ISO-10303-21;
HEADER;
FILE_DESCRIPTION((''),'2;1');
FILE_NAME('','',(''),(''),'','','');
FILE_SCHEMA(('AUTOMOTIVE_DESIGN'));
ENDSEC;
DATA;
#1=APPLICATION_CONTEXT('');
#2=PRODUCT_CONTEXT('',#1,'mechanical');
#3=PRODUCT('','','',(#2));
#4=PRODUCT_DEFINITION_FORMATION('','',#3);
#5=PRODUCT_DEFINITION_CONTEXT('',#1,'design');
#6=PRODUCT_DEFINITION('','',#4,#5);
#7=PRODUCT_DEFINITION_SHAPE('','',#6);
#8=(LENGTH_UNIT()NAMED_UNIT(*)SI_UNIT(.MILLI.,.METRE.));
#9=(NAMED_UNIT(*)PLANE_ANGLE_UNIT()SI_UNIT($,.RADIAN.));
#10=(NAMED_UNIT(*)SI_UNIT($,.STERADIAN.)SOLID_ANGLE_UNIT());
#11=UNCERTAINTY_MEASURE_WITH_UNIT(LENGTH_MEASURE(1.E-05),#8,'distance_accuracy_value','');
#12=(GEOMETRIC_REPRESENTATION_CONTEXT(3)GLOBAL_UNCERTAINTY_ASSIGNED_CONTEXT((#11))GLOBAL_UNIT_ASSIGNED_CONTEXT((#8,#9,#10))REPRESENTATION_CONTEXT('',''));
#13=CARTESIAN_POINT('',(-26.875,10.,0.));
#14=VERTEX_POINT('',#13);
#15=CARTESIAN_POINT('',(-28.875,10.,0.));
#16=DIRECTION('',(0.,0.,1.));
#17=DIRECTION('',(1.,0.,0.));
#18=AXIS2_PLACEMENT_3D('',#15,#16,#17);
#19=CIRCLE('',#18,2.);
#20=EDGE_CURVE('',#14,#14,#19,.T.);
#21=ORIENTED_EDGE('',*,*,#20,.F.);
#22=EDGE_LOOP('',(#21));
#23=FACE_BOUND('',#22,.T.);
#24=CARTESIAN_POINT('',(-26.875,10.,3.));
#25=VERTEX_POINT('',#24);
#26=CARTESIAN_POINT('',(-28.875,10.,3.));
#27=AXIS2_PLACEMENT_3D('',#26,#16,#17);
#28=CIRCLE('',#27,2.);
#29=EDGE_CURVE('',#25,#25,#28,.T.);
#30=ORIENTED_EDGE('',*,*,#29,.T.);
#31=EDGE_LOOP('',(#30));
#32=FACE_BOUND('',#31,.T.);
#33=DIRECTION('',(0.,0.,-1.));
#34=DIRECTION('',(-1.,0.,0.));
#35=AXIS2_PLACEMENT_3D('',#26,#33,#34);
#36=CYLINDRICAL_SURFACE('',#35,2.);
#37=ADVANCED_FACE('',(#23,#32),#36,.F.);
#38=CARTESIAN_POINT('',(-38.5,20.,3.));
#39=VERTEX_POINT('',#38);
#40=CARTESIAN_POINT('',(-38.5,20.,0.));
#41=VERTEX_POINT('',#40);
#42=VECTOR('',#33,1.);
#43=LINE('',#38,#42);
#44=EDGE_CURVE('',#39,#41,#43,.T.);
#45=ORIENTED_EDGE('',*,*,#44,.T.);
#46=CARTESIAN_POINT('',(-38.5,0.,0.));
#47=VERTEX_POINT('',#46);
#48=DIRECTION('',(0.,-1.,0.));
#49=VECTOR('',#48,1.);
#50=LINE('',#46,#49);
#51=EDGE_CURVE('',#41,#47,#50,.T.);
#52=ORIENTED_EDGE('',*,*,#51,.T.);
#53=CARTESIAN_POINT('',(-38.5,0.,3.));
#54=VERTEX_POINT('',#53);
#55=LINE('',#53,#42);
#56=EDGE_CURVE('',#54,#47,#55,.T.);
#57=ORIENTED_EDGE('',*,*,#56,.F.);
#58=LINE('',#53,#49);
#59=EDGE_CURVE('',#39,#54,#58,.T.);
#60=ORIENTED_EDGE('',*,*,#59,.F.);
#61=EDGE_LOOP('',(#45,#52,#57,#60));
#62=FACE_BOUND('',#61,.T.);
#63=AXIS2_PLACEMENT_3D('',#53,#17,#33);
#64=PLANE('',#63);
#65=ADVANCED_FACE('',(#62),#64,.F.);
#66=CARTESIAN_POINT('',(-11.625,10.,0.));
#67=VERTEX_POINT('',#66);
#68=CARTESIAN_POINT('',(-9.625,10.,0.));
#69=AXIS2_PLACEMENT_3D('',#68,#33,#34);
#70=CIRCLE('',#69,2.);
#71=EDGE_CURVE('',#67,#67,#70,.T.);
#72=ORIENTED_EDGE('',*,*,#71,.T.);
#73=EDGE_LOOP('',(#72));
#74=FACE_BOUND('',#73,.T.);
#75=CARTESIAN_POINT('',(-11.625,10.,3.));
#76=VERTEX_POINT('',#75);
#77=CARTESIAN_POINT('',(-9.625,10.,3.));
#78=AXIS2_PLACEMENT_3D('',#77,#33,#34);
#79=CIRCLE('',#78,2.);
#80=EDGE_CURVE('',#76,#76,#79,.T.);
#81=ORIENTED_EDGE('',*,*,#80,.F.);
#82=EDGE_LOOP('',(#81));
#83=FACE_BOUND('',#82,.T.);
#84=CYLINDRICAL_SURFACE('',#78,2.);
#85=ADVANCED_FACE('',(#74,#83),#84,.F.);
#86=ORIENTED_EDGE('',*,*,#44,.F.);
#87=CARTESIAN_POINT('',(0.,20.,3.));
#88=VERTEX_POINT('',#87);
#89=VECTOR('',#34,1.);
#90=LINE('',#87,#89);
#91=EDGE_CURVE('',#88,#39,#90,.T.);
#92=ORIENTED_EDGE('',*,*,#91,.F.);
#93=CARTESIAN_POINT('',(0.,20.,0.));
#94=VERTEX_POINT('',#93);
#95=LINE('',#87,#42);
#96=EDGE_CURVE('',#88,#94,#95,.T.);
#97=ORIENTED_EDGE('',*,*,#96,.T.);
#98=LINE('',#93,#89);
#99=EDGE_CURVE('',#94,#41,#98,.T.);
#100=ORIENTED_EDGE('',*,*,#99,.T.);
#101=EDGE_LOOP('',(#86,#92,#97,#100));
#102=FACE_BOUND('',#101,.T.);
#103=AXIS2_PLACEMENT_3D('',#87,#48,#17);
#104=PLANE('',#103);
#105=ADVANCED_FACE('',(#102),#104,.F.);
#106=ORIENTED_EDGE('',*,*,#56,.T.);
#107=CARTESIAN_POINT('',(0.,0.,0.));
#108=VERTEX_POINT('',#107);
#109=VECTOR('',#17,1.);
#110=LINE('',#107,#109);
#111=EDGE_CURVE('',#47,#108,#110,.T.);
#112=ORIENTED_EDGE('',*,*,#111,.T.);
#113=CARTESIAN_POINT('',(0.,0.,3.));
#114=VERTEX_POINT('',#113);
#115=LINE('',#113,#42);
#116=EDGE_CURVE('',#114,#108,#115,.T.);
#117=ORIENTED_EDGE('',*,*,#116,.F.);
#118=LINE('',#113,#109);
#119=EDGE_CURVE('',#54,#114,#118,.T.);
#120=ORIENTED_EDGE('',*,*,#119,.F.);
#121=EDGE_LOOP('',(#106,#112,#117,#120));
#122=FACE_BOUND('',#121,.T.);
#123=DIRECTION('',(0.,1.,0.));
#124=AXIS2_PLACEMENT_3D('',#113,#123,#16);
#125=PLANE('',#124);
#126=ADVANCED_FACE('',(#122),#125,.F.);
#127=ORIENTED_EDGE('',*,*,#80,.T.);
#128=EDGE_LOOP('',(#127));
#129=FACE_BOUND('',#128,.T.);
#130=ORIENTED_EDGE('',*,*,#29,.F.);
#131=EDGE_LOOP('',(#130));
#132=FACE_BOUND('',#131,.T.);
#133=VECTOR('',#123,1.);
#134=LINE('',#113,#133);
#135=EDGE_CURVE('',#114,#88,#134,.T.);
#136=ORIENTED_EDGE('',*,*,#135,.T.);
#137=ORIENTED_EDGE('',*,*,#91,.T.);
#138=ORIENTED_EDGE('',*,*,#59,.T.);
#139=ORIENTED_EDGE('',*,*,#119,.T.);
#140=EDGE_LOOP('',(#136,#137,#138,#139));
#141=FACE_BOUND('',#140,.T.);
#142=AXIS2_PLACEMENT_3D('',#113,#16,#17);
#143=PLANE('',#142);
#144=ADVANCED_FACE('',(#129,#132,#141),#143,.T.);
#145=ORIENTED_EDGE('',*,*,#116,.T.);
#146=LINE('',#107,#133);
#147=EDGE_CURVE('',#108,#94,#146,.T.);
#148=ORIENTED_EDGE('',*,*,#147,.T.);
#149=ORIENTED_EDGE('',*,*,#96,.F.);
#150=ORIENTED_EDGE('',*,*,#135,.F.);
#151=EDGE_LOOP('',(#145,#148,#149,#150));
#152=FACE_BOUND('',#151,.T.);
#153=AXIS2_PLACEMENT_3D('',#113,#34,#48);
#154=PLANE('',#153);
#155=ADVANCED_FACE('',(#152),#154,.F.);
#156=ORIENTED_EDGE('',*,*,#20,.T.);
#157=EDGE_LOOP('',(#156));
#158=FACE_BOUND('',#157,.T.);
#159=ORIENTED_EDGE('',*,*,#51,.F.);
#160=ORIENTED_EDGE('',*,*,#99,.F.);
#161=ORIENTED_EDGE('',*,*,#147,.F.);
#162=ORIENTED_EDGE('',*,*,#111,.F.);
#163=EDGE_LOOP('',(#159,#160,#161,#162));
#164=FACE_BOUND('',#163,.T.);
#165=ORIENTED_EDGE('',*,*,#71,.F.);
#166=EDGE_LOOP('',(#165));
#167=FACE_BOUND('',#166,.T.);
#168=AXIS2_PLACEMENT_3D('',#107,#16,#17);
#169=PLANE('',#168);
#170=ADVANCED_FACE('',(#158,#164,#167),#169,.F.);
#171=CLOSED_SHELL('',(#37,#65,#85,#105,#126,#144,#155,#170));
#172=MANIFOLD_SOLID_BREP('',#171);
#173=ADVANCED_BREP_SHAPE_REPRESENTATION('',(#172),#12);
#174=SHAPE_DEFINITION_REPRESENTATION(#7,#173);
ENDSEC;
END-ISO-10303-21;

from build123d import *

# Parameters (mm, degrees)
CROQUIS1_W              = 38.5
CROQUIS1_H              = 20
SALIENTE_EXTRUIR1_DEPTH = 3
CROQUIS3_R              = 2
CORTAR_EXTRUIR1_DEPTH   = 3


with BuildPart() as part:
    # Croquis1 → Saliente-Extruir1 (new body)
    with BuildSketch(Plane.XY):
        with Locations((-19.25, 10)):
            Rectangle(CROQUIS1_W, CROQUIS1_H)
    extrude(amount=SALIENTE_EXTRUIR1_DEPTH)

    # Croquis3 → Cortar-Extruir1 (cut)
    with BuildSketch(Plane(origin=(0, 0, 0), x_dir=(-1, 0, 0), z_dir=(0, 0, -1))):
        with Locations((9.625, 10)):
            Circle(CROQUIS3_R)
        with Locations((28.875, 10)):
            Circle(CROQUIS3_R)
    extrude(amount=-CORTAR_EXTRUIR1_DEPTH, mode=Mode.SUBTRACT)


solid = part.part
